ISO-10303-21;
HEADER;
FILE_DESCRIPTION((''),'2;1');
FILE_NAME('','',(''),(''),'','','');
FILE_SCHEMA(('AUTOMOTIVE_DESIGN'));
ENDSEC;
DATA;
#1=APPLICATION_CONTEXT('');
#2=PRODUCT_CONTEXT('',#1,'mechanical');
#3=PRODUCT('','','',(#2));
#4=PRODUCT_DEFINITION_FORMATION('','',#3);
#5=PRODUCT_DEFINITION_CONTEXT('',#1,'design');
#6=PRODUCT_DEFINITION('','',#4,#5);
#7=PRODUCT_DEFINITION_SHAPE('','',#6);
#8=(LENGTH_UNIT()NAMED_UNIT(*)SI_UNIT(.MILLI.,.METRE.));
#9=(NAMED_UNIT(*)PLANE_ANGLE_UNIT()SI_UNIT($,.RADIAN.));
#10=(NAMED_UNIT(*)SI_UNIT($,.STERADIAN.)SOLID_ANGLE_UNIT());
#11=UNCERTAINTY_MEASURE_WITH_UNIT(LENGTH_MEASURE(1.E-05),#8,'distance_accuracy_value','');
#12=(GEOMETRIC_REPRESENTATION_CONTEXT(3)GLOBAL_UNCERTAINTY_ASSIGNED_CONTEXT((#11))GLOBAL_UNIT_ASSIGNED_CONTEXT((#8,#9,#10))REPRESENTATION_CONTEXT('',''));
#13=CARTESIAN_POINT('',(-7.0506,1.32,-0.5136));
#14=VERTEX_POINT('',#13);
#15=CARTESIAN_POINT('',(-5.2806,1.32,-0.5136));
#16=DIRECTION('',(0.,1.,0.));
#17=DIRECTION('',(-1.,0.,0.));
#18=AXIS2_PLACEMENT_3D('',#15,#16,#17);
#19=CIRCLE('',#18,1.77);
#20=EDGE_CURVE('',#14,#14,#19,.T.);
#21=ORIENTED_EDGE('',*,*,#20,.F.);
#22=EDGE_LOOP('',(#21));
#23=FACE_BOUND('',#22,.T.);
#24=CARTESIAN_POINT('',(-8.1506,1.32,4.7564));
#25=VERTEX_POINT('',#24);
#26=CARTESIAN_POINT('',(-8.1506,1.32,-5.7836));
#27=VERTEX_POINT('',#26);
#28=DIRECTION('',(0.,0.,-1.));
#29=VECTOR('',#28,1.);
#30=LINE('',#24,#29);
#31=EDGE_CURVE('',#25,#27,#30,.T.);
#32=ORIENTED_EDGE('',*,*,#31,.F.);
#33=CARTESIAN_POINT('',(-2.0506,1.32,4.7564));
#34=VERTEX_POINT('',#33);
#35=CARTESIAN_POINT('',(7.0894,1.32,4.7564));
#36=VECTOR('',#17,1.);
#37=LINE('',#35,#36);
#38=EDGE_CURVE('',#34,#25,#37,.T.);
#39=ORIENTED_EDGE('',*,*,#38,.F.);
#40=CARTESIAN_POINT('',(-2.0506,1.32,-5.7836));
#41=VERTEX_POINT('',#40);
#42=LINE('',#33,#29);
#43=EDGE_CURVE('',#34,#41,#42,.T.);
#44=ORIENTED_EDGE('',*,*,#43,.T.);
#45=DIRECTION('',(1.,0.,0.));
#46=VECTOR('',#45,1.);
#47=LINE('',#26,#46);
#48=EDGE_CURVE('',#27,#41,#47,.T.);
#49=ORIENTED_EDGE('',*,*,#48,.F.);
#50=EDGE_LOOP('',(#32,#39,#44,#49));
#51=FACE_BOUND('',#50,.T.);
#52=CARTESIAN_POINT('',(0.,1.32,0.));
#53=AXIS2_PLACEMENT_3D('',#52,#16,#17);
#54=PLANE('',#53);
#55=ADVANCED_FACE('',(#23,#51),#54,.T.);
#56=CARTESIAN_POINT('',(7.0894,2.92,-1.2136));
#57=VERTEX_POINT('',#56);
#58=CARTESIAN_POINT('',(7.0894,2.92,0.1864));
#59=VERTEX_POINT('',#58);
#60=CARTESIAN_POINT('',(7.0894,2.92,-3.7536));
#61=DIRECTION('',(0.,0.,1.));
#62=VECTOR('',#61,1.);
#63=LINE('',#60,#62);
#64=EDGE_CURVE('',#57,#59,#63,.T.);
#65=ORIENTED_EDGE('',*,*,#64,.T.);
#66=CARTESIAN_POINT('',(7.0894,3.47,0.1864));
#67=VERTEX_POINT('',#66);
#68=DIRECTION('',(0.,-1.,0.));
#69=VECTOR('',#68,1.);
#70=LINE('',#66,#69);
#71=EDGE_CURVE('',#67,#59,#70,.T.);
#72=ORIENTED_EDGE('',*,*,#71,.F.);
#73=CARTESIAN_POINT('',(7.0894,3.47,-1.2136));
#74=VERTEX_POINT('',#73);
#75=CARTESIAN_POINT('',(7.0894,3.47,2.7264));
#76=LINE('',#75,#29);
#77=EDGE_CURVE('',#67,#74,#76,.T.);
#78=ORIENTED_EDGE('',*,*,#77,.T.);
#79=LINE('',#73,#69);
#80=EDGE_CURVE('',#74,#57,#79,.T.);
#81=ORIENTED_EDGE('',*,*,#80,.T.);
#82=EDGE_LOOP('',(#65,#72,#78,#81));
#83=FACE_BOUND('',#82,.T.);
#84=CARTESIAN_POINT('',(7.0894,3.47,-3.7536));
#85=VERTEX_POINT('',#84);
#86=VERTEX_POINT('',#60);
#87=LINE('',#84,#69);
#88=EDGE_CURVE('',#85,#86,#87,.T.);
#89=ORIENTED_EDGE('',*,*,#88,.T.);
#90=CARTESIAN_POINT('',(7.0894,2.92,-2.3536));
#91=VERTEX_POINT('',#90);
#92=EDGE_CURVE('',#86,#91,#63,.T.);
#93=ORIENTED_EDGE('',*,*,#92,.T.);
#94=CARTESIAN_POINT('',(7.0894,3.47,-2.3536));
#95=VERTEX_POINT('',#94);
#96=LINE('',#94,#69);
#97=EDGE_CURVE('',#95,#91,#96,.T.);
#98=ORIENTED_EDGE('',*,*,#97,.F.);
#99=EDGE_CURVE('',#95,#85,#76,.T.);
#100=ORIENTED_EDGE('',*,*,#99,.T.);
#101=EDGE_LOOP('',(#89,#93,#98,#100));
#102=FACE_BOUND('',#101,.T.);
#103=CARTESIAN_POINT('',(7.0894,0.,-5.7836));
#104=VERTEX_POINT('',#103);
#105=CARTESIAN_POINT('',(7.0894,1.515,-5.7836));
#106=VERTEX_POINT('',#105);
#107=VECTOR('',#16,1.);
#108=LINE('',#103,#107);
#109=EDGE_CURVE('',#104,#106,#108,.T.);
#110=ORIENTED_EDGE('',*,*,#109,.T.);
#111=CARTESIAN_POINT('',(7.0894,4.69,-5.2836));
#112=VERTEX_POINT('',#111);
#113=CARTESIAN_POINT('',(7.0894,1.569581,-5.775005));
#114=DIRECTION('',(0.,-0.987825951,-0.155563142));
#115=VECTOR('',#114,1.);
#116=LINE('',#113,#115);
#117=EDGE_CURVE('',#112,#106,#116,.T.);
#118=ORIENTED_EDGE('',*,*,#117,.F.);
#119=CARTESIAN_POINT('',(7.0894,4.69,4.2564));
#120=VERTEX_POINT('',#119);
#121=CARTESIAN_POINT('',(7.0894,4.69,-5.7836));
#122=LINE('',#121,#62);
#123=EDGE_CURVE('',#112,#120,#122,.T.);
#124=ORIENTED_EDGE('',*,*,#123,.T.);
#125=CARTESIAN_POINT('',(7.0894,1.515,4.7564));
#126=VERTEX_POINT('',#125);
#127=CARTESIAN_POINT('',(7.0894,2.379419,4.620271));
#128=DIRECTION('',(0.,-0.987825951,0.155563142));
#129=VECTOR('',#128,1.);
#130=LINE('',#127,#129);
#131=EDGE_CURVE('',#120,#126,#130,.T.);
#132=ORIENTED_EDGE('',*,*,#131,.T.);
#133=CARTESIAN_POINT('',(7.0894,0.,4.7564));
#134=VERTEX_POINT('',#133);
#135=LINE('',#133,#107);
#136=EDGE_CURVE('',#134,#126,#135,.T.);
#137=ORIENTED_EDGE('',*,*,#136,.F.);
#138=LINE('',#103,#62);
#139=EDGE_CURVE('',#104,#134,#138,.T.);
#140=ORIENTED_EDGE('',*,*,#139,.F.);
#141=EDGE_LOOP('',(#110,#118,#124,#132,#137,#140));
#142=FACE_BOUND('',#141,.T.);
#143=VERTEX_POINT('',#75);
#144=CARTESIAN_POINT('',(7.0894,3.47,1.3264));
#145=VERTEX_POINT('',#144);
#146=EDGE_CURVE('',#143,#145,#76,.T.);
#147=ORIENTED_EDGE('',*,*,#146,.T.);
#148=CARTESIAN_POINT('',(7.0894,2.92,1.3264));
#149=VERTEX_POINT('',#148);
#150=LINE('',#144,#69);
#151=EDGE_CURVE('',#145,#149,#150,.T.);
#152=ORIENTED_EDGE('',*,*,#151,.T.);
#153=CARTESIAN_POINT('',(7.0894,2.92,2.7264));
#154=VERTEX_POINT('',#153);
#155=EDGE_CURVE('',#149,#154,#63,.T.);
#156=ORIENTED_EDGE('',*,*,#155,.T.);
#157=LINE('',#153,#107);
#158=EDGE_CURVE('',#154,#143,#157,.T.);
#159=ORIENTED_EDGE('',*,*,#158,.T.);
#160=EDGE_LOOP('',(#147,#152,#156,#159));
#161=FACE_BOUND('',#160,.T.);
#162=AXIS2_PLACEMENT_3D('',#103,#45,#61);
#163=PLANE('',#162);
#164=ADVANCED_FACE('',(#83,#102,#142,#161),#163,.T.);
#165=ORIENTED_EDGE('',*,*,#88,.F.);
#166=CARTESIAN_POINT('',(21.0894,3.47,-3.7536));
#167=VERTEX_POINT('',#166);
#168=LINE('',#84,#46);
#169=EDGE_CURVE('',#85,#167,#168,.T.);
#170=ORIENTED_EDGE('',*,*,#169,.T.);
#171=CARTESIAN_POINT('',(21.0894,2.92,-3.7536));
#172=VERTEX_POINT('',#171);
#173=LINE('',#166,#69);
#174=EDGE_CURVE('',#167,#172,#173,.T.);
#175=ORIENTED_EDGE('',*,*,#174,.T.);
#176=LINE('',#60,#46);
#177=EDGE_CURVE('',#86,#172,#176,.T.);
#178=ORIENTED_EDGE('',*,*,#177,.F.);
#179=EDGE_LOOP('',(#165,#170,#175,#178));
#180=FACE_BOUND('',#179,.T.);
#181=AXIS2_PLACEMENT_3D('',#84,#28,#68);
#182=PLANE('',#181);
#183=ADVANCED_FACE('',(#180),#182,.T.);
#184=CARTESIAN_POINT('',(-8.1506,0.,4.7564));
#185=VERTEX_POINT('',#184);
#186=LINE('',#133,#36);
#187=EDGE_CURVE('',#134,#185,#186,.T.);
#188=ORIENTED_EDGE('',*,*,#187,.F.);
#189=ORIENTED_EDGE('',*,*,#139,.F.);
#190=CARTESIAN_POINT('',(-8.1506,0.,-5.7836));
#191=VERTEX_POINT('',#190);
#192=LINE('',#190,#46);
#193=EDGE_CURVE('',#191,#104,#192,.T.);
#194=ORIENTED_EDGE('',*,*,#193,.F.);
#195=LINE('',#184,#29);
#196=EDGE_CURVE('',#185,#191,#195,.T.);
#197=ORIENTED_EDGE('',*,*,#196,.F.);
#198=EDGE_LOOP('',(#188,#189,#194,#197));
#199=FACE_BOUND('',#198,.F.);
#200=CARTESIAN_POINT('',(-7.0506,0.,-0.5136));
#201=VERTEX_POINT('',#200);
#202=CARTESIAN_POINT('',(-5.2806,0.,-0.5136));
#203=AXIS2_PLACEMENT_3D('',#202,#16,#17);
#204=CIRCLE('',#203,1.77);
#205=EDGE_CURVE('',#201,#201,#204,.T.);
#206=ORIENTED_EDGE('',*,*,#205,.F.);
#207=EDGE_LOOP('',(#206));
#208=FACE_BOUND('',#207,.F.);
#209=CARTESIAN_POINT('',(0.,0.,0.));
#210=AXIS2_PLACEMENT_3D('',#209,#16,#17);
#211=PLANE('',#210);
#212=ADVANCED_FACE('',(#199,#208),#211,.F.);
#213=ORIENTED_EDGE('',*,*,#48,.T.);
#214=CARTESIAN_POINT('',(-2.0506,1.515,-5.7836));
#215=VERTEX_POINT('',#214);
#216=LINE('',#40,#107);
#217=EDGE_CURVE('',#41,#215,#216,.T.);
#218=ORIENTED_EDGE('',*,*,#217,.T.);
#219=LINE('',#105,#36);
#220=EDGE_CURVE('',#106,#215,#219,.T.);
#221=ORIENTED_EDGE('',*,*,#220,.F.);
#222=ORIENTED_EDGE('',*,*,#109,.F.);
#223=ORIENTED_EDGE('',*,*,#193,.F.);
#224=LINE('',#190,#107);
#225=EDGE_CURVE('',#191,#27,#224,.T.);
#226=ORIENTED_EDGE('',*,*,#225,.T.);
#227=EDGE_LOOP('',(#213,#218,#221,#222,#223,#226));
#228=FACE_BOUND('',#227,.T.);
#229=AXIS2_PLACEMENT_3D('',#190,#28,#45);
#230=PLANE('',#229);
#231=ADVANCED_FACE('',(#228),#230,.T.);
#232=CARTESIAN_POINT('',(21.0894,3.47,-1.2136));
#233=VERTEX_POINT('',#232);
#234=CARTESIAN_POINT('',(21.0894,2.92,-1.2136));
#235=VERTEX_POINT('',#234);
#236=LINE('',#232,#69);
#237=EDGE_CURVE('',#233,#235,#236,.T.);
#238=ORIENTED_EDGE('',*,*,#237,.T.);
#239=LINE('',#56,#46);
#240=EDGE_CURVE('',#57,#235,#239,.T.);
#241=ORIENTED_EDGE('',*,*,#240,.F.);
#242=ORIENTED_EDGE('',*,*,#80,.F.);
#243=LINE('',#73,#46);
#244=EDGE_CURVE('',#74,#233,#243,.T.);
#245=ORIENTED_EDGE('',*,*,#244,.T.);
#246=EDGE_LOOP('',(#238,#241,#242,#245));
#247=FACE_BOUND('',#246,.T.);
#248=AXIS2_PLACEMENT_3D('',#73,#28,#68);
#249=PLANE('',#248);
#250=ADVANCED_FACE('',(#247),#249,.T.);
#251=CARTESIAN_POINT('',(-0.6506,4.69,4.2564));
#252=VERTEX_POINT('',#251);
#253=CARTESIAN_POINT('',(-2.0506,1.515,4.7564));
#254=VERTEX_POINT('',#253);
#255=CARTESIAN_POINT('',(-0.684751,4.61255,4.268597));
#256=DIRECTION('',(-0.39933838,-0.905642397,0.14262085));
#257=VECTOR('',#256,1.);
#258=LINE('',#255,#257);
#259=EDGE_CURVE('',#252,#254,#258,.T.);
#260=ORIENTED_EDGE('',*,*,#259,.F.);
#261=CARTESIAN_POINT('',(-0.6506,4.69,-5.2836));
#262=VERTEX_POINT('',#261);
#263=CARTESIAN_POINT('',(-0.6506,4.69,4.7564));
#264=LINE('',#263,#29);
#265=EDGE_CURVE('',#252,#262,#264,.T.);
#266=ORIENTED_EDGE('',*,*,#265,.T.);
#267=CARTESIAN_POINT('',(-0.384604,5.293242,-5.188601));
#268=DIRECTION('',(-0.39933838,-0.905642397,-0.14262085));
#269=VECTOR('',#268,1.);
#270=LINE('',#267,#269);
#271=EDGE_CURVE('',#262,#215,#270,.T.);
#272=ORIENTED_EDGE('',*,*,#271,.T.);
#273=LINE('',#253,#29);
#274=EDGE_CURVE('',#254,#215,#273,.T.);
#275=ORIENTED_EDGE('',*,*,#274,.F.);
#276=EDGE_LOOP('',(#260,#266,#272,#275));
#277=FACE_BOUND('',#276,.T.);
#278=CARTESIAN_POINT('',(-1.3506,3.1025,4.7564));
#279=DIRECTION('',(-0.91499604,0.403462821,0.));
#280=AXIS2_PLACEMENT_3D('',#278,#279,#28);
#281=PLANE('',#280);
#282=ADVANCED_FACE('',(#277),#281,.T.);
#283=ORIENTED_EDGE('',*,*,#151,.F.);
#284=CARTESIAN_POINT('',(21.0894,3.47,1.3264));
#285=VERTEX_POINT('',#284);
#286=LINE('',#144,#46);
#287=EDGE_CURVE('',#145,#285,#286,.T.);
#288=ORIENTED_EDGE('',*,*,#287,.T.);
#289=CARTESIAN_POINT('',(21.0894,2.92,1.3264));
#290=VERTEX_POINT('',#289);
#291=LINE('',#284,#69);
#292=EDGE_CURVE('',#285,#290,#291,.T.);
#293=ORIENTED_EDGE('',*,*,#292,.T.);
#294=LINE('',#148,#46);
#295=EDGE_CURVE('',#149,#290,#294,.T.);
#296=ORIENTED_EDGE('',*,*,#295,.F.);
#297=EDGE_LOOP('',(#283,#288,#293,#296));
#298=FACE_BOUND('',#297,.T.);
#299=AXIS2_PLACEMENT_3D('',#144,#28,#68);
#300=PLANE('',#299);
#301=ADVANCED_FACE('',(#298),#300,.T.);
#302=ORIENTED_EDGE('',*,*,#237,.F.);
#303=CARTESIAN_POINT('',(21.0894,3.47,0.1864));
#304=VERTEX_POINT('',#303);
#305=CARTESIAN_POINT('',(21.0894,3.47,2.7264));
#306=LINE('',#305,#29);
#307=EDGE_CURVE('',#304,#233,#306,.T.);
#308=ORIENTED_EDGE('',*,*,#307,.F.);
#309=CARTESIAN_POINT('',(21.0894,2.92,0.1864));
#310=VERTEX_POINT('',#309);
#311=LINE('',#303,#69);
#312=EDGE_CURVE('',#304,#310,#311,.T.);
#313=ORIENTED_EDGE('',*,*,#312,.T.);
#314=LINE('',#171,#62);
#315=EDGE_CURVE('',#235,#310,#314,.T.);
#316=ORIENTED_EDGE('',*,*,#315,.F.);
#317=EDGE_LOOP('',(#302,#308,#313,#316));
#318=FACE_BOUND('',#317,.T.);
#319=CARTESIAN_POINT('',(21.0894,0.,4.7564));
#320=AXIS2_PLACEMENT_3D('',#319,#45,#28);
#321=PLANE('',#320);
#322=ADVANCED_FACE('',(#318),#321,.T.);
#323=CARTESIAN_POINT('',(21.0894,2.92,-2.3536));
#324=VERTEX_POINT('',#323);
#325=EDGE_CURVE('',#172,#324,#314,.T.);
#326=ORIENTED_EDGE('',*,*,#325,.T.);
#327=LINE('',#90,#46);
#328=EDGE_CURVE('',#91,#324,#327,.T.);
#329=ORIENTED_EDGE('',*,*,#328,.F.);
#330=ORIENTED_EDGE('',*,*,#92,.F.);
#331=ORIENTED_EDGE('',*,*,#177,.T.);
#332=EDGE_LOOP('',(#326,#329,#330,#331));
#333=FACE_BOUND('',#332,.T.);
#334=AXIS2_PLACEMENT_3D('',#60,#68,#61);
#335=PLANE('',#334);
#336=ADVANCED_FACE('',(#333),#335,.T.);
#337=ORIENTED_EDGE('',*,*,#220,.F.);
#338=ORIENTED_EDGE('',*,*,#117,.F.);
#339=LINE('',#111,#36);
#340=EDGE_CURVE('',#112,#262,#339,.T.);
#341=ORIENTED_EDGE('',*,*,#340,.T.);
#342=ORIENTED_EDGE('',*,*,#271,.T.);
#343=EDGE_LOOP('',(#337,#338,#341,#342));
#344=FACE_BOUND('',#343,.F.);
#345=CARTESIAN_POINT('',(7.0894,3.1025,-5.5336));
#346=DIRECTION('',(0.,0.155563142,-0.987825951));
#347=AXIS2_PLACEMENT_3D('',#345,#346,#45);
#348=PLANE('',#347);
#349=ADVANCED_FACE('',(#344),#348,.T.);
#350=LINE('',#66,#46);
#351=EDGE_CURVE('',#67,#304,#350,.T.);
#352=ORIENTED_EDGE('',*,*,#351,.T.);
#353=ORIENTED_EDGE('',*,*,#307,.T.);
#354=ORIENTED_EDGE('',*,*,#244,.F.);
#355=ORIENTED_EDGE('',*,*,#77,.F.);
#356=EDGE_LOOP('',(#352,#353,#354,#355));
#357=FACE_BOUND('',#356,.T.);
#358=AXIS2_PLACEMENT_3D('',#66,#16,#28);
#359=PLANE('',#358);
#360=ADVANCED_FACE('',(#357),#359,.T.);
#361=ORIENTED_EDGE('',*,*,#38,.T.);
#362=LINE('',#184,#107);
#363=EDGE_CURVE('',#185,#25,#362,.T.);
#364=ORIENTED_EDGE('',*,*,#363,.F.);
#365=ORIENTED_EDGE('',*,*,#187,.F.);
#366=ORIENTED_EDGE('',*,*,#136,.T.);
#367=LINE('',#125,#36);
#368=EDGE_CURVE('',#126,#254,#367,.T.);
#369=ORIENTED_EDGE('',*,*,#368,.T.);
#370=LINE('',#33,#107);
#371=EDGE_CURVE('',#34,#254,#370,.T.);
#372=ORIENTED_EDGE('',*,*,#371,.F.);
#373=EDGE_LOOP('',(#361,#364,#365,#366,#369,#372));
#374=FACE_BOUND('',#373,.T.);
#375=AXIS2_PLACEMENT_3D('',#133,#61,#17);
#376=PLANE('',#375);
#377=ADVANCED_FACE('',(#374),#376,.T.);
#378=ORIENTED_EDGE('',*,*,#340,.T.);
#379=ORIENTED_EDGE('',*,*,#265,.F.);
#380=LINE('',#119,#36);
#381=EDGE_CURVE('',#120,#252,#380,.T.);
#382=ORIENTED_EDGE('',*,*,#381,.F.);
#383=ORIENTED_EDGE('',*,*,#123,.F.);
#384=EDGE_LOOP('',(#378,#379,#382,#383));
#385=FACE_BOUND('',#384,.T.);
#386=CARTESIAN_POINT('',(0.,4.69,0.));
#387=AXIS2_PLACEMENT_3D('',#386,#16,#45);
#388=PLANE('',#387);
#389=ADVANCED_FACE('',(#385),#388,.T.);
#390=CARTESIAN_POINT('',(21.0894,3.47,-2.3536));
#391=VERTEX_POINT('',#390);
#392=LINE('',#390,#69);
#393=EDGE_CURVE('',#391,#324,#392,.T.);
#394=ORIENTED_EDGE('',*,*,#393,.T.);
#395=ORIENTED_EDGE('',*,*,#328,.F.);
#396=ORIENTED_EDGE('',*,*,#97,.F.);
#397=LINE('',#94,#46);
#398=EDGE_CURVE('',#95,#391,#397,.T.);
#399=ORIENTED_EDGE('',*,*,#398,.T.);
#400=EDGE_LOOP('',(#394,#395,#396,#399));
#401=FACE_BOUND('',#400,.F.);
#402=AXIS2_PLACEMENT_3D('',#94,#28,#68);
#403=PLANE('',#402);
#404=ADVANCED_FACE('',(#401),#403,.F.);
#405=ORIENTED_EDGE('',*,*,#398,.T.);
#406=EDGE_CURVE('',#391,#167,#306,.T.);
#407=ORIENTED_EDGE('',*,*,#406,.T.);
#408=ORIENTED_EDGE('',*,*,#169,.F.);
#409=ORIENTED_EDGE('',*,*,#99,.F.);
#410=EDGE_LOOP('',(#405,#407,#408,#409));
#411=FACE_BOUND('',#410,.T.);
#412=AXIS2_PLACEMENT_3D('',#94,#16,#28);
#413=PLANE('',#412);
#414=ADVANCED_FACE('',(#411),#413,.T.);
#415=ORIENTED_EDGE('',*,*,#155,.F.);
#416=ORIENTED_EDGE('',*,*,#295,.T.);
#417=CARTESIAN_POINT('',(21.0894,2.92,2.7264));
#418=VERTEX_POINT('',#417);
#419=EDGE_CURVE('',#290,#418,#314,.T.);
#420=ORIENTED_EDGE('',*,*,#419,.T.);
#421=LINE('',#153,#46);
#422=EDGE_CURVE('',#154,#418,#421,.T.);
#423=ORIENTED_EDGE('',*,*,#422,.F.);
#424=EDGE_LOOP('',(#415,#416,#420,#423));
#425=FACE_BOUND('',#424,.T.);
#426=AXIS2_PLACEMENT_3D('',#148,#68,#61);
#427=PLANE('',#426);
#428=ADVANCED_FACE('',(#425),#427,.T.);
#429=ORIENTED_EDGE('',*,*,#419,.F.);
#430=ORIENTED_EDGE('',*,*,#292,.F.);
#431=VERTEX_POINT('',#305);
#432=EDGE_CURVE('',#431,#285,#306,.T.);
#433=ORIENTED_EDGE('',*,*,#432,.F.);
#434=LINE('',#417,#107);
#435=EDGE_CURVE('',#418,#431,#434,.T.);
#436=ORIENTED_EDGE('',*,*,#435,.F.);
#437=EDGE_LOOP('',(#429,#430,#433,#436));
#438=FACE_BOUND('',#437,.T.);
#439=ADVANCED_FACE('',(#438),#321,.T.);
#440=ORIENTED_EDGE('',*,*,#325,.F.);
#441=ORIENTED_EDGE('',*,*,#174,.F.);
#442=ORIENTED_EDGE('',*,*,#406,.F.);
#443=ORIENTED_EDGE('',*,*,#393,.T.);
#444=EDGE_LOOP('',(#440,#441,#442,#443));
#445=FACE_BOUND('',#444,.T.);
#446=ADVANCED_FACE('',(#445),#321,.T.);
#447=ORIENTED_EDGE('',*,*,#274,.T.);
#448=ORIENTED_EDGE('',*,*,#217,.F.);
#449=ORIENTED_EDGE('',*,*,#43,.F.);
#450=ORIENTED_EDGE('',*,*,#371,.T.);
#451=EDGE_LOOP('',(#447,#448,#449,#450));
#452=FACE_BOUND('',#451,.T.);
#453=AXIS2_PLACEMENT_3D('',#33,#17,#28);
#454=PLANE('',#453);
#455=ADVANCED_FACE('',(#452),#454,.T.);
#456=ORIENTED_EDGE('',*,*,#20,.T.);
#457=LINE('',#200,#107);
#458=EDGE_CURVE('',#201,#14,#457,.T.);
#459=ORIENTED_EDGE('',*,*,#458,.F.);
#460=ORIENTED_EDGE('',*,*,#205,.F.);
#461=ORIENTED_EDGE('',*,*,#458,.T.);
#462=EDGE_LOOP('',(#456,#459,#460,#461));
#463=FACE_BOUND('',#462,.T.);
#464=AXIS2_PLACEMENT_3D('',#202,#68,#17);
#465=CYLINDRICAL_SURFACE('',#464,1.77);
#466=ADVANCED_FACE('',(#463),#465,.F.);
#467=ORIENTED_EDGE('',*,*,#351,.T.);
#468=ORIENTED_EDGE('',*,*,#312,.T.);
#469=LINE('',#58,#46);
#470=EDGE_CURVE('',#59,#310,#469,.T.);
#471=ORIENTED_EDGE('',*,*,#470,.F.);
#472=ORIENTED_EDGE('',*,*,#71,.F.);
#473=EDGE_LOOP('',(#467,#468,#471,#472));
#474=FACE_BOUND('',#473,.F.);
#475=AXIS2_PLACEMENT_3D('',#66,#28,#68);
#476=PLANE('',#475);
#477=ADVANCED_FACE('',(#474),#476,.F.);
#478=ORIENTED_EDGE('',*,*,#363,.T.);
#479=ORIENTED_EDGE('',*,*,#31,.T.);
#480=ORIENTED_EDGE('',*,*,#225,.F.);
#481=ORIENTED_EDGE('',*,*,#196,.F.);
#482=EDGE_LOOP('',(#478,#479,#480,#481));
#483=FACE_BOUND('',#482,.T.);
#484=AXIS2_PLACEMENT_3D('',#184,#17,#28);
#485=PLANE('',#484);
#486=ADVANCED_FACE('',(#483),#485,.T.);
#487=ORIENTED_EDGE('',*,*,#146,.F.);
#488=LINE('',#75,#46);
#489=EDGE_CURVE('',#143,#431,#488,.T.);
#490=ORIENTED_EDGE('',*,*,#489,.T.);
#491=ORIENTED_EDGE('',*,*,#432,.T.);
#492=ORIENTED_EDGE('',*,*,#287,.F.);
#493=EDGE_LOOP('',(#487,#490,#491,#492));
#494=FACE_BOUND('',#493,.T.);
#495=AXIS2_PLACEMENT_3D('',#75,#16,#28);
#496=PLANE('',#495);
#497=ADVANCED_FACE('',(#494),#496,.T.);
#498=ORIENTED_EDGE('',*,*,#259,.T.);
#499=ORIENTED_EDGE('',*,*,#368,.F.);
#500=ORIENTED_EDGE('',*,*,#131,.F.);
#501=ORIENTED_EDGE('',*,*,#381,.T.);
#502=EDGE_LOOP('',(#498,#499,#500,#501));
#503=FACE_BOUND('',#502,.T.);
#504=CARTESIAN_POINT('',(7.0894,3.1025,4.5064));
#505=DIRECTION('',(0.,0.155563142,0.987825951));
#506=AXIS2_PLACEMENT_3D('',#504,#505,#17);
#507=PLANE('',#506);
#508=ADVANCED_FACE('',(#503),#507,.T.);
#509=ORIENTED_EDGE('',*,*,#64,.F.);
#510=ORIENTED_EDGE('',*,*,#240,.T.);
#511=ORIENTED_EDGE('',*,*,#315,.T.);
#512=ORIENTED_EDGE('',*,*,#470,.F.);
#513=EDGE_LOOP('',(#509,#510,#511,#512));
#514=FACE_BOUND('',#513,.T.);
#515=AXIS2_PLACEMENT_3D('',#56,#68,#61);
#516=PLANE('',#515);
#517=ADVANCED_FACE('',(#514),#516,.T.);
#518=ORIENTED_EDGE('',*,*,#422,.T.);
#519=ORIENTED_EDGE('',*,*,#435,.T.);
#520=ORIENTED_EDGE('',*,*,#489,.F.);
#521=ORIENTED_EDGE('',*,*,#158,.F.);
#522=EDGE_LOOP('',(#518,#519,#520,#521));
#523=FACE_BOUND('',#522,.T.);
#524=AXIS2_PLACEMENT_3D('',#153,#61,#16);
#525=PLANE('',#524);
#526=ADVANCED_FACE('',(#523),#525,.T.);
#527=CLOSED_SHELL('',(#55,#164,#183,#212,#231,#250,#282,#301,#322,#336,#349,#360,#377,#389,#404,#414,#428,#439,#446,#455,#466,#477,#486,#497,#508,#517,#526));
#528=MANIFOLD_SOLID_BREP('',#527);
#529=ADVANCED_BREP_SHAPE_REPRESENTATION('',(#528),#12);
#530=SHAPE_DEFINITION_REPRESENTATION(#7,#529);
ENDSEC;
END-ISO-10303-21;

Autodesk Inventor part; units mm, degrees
ref_plane "YZ Plane" through (0, 0, 0) normal (1, 0, 0) x (0, 1, 0)
ref_plane "XZ Plane" through (0, 0, 0) normal (0, 1, 0) x (-1, 0, 0)
ref_plane "XY Plane" through (0, 0, 0) normal (0, 0, 1) x (1, 0, 0)
sketch "Sketch1" plane through (0, 0, 0) normal (0, 1, 0) x (-1, 0, 0)
  line L0 (-7.0894, 4.7564) -> (8.1506, 4.7564)
  line L1 (8.1506, 4.7564) -> (8.1506, -5.7836)
  line L2 (8.1506, -5.7836) -> (-7.0894, -5.7836)
  line L3 (-7.0894, -5.7836) -> (-7.0894, 4.7564)
  circle A0 centre (5.2806, -0.5136) radius 1.77
  point P0 (0, 0)
  dimension "d0" = 10.54
  dimension "d1" = 15.24
  dimension "d2" = 3.54
  dimension "d3" = 2.87
  dimension "d4" = 5.27
extrude "Extrusion1" add sketch "Sketch1" along normal blind 1.32
sketch "Sketch2" plane through (0, 1.32, 0) normal (0, 1, 0) x (1, 0, 0)
  line L0 (7.0894, 5.7836) -> (-8.1506, 5.7836) projected
  line L1 (-2.0506, 5.7836) -> (7.0894, 5.7836)
  line L2 (7.0894, 5.7836) -> (7.0894, -4.7564)
  line L3 (7.0894, -4.7564) -> (-2.0506, -4.7564)
  line L4 (-2.0506, -4.7564) -> (-2.0506, 5.7836)
  point P0 (0, 0)
  dimension "d7" = 9.14
extrude "Extrusion2" add sketch "Sketch2" along normal blind 3.37
chamfer "Chamfer1" distance 1.4 distance2 3.175 1 edges at (-2.0506, 4.69, -0.5136) measured on face at (0.996, 4.69, -2.2703)
chamfer "Chamfer2" distance 0.5 distance2 3.175 1 edges at (3.2194, 4.69, -5.7836) measured on face at (1.9294, 4.69, -2.2703)
chamfer "Chamfer3" distance 0.5 distance2 3.175 1 edges at (3.2194, 4.69, 4.7564) measured on face at (1.9294, 4.69, -1.9369)
sketch "Sketch4" plane through (7.0894, 0, 4.7564) normal (1, 0, 0) x (0, 0, -1)
  line L0 (0, 0) -> (0, 1.515) projected
  line L1 (10.54, 0) -> (0, 0) projected
  line L2 (2.03, 3.47) -> (8.51, 3.47)
  line L3 (8.51, 3.47) -> (8.51, 2.92)
  line L4 (8.51, 2.92) -> (2.03, 2.92)
  line L5 (2.03, 2.92) -> (2.03, 3.47)
  line L6 (3.43, 3.47) -> (3.43, 2.92)
  line L7 (4.57, 3.47) -> (4.57, 2.92)
  line L8 (5.97, 3.47) -> (5.97, 2.92)
  line L9 (7.11, 3.47) -> (7.11, 2.92)
  point P0 (4.7564, 0)
  dimension "d19" = 0.55
  dimension "d20" = 2.92
  dimension "d21" = 6.48
  dimension "d22" = 1.4
  dimension "d23" = 1.4
  dimension "d24" = 1.4
  dimension "d25" = 2.54
  dimension "d26" = 4.57
extrude "Extrusion3" add sketch "Sketch4" along normal blind 14 contours L2 L6 L4 L5 | L2 L8 L4 L7 | L2 L3 L4 L9
properties part number "MOSFET"
